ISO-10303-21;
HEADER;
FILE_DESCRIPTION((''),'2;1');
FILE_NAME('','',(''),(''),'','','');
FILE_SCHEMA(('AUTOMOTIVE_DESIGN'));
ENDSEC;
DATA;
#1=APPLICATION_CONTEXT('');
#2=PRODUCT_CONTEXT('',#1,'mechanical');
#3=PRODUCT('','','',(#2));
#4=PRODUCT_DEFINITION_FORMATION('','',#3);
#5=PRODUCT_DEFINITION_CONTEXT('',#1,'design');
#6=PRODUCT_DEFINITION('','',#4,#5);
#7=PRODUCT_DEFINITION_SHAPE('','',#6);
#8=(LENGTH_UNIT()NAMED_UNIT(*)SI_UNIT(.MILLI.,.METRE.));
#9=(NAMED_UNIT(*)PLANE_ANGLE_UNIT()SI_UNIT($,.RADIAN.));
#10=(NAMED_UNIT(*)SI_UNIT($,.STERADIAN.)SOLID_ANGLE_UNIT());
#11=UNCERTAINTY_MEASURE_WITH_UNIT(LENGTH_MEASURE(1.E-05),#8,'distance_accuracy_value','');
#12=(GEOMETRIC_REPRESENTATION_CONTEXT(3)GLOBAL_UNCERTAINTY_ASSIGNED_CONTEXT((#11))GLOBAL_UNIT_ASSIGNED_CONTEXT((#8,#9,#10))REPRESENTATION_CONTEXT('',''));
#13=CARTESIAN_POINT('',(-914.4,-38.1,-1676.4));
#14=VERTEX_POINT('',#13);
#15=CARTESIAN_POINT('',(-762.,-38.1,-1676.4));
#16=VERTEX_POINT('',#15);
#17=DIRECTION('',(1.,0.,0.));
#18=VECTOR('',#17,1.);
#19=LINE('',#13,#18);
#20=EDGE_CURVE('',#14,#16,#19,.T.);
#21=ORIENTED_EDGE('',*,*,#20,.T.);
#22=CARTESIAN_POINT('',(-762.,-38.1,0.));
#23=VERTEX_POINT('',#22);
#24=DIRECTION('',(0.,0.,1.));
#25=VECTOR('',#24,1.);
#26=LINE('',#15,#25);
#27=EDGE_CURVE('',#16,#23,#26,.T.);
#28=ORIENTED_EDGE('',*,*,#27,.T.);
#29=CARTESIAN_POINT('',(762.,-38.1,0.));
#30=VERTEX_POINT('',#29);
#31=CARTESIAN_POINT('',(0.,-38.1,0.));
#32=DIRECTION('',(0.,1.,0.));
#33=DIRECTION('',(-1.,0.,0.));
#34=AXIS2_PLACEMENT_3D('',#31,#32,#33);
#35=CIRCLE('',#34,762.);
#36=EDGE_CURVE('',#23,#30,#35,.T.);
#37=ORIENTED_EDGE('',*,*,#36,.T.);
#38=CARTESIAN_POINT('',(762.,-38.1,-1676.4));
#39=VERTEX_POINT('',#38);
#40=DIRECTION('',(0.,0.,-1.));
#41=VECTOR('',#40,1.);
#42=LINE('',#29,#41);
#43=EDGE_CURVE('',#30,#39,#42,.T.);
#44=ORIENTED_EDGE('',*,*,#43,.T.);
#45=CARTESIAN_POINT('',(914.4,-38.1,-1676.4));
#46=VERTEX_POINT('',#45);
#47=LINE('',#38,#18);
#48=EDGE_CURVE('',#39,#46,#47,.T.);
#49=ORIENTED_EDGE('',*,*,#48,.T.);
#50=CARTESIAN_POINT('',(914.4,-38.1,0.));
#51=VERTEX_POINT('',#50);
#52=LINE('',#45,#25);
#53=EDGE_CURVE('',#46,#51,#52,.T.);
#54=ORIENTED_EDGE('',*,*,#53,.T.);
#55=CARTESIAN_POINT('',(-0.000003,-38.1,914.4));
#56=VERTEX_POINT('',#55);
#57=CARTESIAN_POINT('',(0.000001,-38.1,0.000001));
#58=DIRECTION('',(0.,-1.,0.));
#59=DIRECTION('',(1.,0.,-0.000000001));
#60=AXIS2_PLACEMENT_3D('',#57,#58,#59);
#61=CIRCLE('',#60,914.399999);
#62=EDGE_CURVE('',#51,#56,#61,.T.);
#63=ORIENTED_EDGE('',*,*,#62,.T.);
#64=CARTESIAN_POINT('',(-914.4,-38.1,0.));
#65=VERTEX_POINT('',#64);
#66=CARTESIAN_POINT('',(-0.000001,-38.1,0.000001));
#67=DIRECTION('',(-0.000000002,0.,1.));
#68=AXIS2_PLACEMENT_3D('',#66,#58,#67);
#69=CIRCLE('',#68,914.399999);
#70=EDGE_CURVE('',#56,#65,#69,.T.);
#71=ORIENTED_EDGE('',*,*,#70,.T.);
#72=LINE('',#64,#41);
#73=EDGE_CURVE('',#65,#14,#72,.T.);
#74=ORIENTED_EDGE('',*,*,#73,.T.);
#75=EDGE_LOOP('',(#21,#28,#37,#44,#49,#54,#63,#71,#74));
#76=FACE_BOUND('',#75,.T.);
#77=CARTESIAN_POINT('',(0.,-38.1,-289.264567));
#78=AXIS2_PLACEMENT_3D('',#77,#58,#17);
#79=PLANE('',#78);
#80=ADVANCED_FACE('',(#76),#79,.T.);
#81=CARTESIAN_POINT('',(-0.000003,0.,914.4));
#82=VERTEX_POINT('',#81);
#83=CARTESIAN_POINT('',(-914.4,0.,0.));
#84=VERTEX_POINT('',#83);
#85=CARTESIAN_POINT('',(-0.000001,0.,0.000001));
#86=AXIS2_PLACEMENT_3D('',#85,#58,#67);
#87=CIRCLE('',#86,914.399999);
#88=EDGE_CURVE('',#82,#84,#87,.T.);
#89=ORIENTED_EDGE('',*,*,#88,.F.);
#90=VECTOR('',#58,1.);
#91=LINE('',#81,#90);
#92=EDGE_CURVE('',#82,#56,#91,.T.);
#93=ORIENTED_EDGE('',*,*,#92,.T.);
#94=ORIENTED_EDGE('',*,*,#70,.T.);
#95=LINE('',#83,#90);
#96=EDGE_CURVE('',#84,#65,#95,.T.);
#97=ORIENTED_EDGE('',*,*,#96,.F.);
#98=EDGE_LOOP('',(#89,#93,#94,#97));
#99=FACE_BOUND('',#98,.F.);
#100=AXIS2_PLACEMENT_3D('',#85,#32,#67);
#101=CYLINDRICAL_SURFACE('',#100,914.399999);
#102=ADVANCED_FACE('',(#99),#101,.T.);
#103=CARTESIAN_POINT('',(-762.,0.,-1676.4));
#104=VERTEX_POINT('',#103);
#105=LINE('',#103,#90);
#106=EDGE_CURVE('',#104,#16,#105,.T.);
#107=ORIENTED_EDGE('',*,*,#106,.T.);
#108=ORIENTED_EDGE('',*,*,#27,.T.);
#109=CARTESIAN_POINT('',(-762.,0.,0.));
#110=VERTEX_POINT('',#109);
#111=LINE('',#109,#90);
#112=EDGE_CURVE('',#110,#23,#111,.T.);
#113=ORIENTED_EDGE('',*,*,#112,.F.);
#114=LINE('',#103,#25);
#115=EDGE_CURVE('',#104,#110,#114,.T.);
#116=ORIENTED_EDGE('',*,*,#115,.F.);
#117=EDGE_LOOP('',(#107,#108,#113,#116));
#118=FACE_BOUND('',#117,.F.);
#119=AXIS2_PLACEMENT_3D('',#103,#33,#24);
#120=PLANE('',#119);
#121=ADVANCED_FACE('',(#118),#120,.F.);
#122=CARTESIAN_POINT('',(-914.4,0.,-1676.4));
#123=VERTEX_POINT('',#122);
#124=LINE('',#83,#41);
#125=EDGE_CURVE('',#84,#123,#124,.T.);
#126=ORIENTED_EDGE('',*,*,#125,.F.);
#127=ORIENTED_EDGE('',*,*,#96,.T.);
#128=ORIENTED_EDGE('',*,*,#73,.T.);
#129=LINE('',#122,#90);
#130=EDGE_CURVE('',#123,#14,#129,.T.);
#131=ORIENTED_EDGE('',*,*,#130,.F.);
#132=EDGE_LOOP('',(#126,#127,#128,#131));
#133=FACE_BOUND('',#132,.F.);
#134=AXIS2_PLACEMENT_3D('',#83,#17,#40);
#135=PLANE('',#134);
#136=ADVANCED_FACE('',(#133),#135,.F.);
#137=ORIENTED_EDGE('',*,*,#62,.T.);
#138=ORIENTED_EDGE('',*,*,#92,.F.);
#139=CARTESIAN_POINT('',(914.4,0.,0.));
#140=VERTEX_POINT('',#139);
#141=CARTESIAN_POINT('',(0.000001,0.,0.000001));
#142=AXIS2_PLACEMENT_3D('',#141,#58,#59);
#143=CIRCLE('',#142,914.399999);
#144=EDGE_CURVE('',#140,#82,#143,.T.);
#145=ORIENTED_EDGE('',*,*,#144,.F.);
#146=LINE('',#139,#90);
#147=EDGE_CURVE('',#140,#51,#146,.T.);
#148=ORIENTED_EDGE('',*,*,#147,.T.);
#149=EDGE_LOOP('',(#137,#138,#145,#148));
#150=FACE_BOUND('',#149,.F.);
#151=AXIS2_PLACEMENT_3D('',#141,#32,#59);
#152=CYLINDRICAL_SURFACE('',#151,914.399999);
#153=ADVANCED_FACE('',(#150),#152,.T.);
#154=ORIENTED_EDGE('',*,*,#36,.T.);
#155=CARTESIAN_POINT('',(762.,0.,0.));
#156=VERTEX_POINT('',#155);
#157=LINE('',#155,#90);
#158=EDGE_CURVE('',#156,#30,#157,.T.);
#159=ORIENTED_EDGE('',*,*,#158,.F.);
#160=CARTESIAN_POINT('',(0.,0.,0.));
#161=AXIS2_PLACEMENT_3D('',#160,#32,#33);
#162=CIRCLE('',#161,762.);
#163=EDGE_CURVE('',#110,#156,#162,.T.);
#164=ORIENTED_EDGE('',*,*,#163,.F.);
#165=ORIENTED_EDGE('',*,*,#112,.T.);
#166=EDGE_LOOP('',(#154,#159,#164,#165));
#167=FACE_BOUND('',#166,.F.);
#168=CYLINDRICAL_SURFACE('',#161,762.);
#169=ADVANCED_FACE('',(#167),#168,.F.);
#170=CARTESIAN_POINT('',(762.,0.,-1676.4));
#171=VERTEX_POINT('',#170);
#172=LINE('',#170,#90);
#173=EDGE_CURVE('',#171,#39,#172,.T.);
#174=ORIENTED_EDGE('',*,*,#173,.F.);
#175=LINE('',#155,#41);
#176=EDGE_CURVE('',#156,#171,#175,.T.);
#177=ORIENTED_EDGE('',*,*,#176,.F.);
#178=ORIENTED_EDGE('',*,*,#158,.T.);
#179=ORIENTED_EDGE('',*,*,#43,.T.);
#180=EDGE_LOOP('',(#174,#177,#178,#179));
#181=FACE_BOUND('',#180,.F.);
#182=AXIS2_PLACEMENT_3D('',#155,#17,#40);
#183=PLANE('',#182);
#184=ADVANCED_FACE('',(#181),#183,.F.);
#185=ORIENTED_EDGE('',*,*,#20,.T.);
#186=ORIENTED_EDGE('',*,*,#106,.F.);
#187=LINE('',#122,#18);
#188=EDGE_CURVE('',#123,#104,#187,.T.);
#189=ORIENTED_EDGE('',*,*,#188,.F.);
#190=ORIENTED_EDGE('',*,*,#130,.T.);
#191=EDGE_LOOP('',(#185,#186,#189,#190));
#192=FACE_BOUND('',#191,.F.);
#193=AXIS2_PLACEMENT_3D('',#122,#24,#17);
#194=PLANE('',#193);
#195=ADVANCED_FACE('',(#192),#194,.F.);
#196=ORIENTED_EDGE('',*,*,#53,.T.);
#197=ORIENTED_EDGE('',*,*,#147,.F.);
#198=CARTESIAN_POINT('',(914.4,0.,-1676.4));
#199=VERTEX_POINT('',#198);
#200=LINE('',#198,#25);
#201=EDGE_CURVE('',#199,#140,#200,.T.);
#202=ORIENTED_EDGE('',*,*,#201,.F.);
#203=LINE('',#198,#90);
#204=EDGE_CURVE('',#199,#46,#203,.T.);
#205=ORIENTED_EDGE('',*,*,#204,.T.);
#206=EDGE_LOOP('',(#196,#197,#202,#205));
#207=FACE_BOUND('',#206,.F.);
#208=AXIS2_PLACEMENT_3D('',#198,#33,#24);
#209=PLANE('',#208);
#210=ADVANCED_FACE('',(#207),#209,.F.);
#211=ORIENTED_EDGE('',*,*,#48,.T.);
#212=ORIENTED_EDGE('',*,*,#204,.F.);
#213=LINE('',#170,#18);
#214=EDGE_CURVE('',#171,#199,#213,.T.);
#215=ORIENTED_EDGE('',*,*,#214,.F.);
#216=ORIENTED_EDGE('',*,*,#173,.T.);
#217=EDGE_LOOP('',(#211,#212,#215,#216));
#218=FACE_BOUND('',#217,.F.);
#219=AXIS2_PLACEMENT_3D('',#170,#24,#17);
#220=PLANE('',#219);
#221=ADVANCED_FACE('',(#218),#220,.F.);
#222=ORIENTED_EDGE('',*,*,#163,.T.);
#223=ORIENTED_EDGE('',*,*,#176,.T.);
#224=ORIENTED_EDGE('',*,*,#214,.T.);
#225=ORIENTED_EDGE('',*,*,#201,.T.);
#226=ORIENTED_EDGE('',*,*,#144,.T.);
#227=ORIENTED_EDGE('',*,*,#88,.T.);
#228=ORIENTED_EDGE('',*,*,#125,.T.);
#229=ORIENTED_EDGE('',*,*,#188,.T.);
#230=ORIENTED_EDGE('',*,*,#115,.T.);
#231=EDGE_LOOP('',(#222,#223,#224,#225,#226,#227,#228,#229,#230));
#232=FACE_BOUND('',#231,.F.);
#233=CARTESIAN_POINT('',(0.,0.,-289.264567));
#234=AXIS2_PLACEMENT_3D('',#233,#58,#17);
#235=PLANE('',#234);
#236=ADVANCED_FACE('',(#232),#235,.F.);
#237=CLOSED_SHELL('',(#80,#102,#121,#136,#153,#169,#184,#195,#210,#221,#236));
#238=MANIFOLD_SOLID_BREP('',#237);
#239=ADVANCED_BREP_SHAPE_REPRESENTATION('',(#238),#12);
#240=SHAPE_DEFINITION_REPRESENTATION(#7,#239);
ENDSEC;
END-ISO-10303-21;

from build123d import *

# Parameters (mm, degrees)
F1_DEPTH = 38.1


with BuildPart() as f1:
    # F0 (on Front) → F1 (new body)
    with BuildSketch(Plane.XZ):
        with BuildLine():
            Line((-762, -1676.4), (-762, 0))
            ThreePointArc((-762, 0), (0, 762), (762, 0))
            Line((762, 0), (762, -1676.4))
            Line((762, -1676.4), (914.4, -1676.4))
            Line((914.4, -1676.4), (914.4, 0))
            ThreePointArc((914.4, 0), (646.57844, 646.578442), (-3e-06, 914.4))
            ThreePointArc((-3e-06, 914.4), (-646.578442, 646.57844), (-914.4, 0))
            Line((-914.4, 0), (-914.4, -1676.4))
            Line((-914.4, -1676.4), (-762, -1676.4))
        make_face()
    extrude(amount=F1_DEPTH)


solid = f1.part
